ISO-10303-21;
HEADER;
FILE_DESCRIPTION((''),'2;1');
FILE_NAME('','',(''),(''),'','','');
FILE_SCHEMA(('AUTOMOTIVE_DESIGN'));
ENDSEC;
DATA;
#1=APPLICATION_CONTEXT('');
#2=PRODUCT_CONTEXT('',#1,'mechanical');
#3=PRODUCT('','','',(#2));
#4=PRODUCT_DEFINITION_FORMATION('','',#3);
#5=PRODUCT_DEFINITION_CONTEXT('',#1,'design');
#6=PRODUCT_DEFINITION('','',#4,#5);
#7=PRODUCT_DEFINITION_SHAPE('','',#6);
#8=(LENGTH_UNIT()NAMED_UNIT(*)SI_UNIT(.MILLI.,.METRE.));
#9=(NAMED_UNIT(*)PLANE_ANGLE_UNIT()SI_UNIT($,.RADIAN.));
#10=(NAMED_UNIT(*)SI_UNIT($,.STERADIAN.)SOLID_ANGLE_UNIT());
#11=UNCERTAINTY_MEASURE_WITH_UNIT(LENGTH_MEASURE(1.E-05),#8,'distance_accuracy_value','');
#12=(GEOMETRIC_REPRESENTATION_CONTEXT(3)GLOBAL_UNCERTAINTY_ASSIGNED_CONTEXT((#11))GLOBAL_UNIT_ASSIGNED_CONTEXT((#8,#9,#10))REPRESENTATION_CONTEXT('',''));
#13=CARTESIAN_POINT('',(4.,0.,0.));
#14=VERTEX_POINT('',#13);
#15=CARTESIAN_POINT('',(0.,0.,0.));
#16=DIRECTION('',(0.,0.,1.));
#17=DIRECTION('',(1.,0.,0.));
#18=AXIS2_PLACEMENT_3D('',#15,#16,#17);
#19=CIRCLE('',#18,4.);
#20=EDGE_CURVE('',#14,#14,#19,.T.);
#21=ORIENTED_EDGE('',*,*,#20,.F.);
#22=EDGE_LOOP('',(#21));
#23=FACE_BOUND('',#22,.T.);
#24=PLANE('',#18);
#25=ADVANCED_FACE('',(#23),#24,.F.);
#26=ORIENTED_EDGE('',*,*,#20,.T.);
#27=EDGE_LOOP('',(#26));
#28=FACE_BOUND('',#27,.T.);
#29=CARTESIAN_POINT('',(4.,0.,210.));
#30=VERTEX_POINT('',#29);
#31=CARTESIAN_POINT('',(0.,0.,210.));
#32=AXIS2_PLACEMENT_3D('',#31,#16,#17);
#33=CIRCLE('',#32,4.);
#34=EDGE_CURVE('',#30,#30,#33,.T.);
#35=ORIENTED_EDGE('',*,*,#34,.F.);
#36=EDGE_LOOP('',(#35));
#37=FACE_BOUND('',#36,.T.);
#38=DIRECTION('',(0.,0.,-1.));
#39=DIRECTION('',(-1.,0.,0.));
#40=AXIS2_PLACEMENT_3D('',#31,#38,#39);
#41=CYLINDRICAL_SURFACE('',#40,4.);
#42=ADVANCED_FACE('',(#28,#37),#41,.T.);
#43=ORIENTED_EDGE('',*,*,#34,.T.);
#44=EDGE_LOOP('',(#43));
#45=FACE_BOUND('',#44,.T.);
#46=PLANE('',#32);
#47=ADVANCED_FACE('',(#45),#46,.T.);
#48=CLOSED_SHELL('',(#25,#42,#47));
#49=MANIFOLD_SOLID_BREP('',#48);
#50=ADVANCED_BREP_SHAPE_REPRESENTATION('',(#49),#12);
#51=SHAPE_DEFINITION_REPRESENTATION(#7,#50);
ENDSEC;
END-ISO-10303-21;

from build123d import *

# Parameters (mm, degrees)
ESBO_O1_R                = 4
RESSALTO_EXTRUS_O1_DEPTH = 210


with BuildPart() as part:
    # Esboço1 → Ressalto-extrusão1 (new body)
    with BuildSketch(Plane.XY):
        Circle(ESBO_O1_R)
    extrude(amount=RESSALTO_EXTRUS_O1_DEPTH)


solid = part.part
